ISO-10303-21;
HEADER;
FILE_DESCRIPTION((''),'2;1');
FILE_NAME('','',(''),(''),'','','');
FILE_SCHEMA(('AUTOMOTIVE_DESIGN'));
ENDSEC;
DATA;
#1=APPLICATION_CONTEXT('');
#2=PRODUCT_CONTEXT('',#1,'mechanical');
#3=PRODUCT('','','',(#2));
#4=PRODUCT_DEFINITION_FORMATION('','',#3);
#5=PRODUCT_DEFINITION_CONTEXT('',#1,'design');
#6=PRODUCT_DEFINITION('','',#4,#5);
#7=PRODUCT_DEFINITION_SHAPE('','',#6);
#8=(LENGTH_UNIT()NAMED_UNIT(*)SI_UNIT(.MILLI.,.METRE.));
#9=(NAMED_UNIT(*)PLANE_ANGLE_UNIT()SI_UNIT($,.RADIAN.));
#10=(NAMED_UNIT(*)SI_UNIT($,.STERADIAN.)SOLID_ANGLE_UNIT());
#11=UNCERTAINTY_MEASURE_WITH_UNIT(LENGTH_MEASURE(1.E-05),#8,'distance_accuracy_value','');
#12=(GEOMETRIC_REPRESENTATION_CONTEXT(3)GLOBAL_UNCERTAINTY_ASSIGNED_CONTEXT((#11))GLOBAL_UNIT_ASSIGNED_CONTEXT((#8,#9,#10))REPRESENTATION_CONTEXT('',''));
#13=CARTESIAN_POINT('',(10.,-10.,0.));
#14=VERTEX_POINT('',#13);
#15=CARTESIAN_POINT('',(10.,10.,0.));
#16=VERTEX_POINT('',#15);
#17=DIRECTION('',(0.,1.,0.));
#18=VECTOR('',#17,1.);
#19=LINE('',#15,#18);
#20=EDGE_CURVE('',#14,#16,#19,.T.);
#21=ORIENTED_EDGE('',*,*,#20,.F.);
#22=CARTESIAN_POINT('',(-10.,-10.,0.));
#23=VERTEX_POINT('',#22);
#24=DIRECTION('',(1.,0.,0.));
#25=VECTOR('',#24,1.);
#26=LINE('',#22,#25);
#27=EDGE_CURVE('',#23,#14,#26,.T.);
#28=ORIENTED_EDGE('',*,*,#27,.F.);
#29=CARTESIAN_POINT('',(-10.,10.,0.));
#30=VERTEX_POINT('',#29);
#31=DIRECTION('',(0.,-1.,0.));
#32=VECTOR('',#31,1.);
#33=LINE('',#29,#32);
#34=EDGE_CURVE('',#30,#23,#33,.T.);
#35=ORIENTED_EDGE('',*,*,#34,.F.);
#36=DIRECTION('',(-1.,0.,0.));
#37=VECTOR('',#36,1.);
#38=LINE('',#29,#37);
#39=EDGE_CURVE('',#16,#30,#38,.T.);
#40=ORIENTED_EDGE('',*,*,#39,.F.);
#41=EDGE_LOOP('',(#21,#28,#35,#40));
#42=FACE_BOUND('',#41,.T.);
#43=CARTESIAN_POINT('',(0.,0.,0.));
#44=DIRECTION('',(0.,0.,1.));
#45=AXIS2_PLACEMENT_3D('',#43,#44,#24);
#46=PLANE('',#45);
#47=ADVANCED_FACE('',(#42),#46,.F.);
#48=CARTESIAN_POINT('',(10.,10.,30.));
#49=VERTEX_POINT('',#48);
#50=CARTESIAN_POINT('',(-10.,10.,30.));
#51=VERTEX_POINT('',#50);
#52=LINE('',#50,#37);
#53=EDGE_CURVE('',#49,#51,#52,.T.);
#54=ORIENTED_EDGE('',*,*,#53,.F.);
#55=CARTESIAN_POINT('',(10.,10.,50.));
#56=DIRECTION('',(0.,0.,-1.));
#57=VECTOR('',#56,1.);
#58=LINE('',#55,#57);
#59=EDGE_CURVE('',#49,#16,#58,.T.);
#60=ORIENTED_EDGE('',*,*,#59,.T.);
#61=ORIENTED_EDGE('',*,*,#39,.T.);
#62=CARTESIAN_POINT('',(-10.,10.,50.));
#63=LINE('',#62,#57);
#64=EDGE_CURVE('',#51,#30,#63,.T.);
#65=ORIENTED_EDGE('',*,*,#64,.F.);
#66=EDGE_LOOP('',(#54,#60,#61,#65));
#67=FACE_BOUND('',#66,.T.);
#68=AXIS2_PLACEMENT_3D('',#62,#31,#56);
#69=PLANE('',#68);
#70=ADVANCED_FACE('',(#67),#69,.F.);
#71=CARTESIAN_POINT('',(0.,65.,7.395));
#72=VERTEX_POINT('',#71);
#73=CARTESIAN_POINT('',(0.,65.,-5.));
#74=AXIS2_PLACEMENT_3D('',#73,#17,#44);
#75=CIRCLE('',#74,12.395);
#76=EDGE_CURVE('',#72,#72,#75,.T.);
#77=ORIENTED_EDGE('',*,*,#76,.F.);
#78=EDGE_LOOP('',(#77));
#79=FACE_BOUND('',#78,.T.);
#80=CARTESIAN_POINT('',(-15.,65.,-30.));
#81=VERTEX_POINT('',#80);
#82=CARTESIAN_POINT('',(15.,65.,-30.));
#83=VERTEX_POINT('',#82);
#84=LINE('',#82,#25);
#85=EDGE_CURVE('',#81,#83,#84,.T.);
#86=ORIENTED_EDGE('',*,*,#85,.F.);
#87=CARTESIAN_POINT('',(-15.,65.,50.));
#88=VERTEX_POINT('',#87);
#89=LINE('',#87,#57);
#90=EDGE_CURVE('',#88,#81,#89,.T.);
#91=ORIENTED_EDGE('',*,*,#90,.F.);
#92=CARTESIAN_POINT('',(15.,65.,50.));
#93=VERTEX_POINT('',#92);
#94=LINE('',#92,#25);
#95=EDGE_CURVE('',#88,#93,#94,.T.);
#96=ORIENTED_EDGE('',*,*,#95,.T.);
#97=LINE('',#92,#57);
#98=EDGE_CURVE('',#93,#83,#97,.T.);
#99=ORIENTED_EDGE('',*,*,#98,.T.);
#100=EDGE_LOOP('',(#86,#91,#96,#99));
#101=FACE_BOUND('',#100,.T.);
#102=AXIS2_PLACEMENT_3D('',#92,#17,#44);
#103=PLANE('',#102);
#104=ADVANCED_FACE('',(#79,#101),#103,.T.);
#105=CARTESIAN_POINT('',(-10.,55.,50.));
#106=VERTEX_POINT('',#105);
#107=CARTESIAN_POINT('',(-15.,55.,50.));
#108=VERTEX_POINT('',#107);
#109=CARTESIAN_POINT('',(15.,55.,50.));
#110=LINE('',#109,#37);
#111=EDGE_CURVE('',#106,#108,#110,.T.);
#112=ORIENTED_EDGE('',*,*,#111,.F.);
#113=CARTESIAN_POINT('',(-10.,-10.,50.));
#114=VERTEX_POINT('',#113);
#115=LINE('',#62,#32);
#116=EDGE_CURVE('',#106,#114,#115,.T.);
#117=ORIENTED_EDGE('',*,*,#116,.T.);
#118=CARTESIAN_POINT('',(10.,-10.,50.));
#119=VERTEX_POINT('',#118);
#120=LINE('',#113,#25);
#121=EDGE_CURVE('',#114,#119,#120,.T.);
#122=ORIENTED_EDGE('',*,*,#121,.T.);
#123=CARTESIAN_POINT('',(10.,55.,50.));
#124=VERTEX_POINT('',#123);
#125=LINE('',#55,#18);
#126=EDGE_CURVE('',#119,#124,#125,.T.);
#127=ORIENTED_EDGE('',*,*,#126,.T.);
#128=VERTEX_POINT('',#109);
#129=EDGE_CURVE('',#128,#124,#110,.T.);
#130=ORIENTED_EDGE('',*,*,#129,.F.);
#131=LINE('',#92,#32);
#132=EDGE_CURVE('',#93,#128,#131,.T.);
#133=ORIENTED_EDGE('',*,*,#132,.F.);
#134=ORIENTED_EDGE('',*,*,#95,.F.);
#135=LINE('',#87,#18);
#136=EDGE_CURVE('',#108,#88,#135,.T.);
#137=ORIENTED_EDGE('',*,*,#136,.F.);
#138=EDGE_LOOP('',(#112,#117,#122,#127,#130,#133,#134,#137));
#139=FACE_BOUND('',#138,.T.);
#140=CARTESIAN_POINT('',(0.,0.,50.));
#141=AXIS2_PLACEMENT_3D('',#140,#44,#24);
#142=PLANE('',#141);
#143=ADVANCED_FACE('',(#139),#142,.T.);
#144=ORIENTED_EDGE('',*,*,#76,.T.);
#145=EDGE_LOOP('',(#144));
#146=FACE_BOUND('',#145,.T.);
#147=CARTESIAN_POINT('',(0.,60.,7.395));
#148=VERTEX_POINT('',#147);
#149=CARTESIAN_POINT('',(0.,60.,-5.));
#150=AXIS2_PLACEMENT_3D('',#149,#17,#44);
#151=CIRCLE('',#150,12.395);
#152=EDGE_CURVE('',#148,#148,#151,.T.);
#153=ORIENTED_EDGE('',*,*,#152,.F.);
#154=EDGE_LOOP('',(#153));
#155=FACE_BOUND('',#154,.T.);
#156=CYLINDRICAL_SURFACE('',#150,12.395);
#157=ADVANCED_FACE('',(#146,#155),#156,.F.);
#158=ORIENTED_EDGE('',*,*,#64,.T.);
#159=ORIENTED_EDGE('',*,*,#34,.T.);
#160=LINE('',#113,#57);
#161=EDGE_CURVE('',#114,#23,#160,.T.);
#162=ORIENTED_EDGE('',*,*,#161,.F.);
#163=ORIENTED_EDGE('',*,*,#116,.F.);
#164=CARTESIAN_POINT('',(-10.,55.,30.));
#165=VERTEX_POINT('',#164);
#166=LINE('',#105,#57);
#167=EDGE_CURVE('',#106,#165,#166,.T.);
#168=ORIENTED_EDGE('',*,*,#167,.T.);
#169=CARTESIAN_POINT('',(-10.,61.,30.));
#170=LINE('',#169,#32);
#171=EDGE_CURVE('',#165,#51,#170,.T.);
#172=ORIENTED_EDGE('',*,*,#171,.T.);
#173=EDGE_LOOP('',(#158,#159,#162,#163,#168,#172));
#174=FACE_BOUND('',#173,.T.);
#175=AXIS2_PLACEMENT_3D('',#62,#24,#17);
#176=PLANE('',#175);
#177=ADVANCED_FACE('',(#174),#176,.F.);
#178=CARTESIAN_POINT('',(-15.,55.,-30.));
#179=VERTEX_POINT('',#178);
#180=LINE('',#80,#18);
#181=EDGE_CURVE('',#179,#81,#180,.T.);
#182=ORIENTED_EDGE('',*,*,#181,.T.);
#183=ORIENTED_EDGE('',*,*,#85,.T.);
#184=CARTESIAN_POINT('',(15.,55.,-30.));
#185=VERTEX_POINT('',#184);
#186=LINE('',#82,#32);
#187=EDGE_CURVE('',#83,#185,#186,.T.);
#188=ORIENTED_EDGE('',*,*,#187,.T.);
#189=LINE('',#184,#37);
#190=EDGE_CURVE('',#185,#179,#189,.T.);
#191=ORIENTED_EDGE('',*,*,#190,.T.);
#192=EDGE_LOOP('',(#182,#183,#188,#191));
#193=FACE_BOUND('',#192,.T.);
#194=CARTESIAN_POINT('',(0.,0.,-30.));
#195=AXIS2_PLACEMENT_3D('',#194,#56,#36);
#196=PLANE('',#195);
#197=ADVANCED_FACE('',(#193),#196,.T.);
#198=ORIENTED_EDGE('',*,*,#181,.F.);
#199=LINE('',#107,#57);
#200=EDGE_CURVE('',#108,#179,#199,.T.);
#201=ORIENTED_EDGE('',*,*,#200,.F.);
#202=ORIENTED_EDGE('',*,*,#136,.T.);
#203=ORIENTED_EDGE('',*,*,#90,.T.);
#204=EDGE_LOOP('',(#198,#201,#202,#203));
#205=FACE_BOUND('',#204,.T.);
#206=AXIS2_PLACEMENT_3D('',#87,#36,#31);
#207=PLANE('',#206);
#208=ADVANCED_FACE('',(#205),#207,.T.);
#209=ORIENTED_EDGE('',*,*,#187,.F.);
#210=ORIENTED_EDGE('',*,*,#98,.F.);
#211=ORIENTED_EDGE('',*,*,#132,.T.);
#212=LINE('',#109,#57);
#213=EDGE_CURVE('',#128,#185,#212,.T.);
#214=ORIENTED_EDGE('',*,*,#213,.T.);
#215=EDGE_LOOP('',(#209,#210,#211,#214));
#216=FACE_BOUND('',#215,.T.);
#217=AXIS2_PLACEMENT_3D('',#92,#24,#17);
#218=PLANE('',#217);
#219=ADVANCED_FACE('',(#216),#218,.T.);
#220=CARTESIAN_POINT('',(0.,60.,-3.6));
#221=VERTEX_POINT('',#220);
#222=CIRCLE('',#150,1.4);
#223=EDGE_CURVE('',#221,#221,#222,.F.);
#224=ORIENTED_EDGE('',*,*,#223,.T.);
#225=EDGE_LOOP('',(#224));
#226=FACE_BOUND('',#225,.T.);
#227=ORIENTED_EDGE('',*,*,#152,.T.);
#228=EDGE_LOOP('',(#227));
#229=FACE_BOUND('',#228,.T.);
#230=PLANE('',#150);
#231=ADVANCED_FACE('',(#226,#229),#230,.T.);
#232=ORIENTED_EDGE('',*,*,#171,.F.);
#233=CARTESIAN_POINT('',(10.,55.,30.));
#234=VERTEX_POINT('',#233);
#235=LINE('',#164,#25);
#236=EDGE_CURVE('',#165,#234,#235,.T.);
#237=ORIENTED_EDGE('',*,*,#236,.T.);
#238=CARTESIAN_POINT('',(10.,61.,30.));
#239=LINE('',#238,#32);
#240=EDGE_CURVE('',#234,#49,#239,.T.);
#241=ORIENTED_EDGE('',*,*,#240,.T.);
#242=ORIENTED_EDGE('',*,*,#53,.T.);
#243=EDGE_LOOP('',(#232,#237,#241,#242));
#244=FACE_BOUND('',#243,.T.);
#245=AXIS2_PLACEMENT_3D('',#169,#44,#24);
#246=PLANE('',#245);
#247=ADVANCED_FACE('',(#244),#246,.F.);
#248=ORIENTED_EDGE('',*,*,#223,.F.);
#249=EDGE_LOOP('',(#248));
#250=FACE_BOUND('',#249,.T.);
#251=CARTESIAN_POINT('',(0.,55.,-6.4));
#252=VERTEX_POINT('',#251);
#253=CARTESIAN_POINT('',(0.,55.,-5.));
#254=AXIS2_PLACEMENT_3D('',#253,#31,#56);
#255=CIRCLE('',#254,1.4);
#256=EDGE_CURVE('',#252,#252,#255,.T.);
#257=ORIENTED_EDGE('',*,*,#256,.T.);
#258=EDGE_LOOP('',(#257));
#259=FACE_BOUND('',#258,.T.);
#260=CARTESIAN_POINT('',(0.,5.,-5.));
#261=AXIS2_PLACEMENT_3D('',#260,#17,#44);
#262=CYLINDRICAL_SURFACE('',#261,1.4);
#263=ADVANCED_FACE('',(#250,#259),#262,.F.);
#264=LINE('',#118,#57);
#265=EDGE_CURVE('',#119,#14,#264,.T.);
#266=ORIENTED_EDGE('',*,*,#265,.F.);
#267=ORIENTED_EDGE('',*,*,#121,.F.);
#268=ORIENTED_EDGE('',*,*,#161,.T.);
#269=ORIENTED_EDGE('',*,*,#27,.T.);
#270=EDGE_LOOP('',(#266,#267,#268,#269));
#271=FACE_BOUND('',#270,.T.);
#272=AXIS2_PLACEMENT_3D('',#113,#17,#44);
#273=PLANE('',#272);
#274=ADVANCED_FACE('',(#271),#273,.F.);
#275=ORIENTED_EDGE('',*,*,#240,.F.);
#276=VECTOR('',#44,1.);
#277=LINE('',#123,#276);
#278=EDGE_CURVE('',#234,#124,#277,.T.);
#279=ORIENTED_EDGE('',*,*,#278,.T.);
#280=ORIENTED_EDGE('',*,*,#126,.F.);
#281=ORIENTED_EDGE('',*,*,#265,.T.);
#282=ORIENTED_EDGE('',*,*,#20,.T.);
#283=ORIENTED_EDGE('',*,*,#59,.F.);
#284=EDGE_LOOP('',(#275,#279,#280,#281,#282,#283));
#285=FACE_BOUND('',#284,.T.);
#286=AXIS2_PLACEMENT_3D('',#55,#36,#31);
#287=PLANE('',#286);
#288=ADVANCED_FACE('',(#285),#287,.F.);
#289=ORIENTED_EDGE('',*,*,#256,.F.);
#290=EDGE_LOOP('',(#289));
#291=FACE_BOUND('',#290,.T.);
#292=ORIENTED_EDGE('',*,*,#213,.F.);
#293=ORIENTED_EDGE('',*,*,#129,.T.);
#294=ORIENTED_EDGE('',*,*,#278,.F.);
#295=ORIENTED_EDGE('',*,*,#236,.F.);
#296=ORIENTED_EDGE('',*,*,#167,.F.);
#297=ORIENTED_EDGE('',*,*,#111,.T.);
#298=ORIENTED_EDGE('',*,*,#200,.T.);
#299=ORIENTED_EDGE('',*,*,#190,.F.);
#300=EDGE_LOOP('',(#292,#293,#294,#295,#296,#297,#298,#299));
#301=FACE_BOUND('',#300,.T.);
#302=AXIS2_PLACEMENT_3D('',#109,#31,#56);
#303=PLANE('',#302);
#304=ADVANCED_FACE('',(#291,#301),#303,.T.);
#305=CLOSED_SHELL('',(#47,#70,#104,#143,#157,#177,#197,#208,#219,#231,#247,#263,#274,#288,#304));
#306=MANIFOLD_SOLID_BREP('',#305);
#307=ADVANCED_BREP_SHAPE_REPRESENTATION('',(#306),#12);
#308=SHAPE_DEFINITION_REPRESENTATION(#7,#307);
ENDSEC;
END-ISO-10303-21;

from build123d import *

# Parameters (mm, degrees)
CROQUIS2_W                   = 20
CROQUIS2_H                   = 20
SALIENTE_EXTRUIR1_DEPTH      = 50
CROQUIS3_W                   = 20
CROQUIS3_H                   = 20
SALIENTE_EXTRUIR2_DEPTH      = 51
SALIENTE_EXTRUIR4_DEPTH      = 60
SALIENTE_EXTRUIR4_DEPTH_BACK = 20
CROQUIS7_W                   = 30
CROQUIS7_H                   = 10
CROQUIS8_R                   = 1.4
CORTAR_EXTRUIR2_DEPTH        = 60
CROQUIS9_R                   = 12.395
CORTAR_EXTRUIR3_DEPTH        = 5


with BuildPart() as part:
    # Croquis2 → Saliente-Extruir1 (new body)
    with BuildSketch(Plane.XY):
        Rectangle(CROQUIS2_W, CROQUIS2_H)
    extrude(amount=SALIENTE_EXTRUIR1_DEPTH)

    # Croquis3 → Saliente-Extruir2 (add)
    with BuildSketch(Plane(origin=(0, 10, 0), x_dir=(1, 0, 0), z_dir=(0, 1, 0))):
        with Locations((0, -40)):
            Rectangle(CROQUIS3_W, CROQUIS3_H)
    extrude(amount=SALIENTE_EXTRUIR2_DEPTH)

    # Croquis7 → Saliente-Extruir4 (add, two sides: drawn at the far end of the back side and taken through both)
    with BuildSketch(Plane(origin=(0, 0, 30), x_dir=(-1, 0, 0), z_dir=(0, 0, -1)).offset(-SALIENTE_EXTRUIR4_DEPTH_BACK)):
        with Locations((0, 60)):
            Rectangle(CROQUIS7_W, CROQUIS7_H)
    extrude(amount=SALIENTE_EXTRUIR4_DEPTH + SALIENTE_EXTRUIR4_DEPTH_BACK)

    # Croquis8 → Cortar-Extruir2 (cut)
    with BuildSketch(Plane(origin=(0, 65, 0), x_dir=(1, 0, 0), z_dir=(0, 1, 0))):
        with Locations(Location((0, 5, 0), (0, 0, 270))):
            Circle(CROQUIS8_R)
    extrude(amount=-CORTAR_EXTRUIR2_DEPTH, mode=Mode.SUBTRACT)

    # Croquis9 → Cortar-Extruir3 (cut)
    with BuildSketch(Plane(origin=(0, 65, 0), x_dir=(1, 0, 0), z_dir=(0, 1, 0))):
        with Locations(Location((0, 5, 0), (0, 0, 270))):
            Circle(CROQUIS9_R)
    extrude(amount=-CORTAR_EXTRUIR3_DEPTH, mode=Mode.SUBTRACT)


solid = part.part
